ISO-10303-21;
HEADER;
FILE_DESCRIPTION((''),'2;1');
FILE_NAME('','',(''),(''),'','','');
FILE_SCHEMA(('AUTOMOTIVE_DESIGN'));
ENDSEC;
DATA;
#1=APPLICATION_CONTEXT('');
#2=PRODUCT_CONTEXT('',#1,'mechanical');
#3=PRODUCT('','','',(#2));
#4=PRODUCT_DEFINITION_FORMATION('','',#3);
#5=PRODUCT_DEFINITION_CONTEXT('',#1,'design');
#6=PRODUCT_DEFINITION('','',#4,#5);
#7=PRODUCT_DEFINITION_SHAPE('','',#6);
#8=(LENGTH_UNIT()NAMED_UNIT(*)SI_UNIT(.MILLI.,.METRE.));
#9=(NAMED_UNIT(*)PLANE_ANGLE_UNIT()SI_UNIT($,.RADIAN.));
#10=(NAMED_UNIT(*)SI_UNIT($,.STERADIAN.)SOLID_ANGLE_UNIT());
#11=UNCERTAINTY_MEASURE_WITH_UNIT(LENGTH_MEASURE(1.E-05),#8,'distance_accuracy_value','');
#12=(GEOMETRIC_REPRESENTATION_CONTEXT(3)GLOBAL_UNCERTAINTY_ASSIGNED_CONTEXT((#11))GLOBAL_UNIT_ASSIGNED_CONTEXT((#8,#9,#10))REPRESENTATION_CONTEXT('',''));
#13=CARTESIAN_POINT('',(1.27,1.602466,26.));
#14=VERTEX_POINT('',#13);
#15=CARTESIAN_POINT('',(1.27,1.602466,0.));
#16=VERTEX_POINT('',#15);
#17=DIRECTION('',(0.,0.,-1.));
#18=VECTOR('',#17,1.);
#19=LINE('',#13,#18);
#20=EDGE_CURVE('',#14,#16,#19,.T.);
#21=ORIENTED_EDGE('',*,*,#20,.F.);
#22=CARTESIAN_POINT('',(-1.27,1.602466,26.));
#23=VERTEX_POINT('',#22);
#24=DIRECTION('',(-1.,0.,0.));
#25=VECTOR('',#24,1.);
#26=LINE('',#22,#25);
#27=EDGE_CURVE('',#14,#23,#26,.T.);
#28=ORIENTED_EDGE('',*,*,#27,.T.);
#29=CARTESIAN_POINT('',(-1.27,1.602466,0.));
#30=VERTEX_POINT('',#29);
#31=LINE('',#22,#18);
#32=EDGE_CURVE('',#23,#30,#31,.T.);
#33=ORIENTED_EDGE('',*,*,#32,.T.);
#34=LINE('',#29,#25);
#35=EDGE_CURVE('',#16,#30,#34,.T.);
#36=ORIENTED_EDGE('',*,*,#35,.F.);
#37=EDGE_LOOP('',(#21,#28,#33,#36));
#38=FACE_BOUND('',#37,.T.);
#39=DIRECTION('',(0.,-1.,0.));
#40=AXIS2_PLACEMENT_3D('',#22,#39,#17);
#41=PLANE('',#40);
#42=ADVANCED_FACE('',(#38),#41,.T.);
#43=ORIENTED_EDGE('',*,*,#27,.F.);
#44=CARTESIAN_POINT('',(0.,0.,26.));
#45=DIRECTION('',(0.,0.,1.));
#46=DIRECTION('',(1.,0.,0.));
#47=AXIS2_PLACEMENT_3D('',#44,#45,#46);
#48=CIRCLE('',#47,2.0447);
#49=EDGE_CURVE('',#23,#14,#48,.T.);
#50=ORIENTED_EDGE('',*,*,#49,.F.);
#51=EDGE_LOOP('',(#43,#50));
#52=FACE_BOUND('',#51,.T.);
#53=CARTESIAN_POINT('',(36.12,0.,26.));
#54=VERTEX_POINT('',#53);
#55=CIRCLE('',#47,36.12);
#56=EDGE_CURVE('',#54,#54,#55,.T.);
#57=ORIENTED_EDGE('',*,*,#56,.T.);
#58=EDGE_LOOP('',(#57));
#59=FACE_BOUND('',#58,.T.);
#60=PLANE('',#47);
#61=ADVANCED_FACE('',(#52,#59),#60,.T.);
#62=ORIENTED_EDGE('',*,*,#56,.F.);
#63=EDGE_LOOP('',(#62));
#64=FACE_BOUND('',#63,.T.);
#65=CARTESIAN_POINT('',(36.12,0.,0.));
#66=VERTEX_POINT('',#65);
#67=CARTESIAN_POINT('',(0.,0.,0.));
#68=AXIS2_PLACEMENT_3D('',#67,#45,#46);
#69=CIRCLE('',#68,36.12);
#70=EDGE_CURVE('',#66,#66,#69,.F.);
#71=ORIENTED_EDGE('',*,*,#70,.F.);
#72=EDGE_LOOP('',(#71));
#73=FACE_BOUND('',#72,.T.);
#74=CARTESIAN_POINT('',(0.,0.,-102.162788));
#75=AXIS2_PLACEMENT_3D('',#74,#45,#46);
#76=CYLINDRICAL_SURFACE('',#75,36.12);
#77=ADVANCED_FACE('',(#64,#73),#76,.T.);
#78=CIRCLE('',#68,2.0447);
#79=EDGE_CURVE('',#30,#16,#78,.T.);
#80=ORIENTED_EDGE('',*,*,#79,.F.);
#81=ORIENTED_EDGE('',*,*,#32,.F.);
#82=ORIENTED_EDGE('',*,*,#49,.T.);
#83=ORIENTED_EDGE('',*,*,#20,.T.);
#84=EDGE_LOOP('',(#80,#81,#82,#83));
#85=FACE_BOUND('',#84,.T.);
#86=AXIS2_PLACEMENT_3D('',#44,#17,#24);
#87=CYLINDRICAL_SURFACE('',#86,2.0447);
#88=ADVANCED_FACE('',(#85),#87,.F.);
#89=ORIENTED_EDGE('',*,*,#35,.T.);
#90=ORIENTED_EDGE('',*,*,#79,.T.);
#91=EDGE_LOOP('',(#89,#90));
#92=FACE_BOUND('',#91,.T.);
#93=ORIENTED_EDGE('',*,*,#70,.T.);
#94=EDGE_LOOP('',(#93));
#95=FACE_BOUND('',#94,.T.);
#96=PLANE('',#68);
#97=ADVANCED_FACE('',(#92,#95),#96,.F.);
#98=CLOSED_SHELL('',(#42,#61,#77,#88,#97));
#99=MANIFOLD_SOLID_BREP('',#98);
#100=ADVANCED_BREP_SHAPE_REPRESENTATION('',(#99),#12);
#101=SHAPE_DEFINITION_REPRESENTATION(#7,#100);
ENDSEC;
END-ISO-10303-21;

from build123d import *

# Parameters (mm, degrees)
SKETCH1_R           = 28.5
BOSS_EXTRUDE1_DEPTH = 26
BOSS_EXTRUDE2_START = -26
SKETCH2_R           = 36.12
SKETCH2_R_2         = 28.5
BOSS_EXTRUDE2_DEPTH = 26


with BuildPart() as part:
    # Sketch1 → Boss-Extrude1 (new body)
    with BuildSketch(Plane.XY):
        with Locations(Location((0, 0, 0), (0, 0, 180))):
            Circle(SKETCH1_R)
        with BuildLine():
            Line((-1.27, 1.602466252), (1.27, 1.602466252))
            ThreePointArc((1.27, 1.602466252), (0, -2.0447), (-1.27, 1.602466252))
        make_face(mode=Mode.SUBTRACT)
    extrude(amount=BOSS_EXTRUDE1_DEPTH)

    # Sketch2 → Boss-Extrude2 (add)
    with BuildSketch(Plane.XY.offset(26).offset(BOSS_EXTRUDE2_START)):
        Circle(SKETCH2_R)
        Circle(SKETCH2_R_2, mode=Mode.SUBTRACT)
    extrude(amount=BOSS_EXTRUDE2_DEPTH)


solid = part.part
